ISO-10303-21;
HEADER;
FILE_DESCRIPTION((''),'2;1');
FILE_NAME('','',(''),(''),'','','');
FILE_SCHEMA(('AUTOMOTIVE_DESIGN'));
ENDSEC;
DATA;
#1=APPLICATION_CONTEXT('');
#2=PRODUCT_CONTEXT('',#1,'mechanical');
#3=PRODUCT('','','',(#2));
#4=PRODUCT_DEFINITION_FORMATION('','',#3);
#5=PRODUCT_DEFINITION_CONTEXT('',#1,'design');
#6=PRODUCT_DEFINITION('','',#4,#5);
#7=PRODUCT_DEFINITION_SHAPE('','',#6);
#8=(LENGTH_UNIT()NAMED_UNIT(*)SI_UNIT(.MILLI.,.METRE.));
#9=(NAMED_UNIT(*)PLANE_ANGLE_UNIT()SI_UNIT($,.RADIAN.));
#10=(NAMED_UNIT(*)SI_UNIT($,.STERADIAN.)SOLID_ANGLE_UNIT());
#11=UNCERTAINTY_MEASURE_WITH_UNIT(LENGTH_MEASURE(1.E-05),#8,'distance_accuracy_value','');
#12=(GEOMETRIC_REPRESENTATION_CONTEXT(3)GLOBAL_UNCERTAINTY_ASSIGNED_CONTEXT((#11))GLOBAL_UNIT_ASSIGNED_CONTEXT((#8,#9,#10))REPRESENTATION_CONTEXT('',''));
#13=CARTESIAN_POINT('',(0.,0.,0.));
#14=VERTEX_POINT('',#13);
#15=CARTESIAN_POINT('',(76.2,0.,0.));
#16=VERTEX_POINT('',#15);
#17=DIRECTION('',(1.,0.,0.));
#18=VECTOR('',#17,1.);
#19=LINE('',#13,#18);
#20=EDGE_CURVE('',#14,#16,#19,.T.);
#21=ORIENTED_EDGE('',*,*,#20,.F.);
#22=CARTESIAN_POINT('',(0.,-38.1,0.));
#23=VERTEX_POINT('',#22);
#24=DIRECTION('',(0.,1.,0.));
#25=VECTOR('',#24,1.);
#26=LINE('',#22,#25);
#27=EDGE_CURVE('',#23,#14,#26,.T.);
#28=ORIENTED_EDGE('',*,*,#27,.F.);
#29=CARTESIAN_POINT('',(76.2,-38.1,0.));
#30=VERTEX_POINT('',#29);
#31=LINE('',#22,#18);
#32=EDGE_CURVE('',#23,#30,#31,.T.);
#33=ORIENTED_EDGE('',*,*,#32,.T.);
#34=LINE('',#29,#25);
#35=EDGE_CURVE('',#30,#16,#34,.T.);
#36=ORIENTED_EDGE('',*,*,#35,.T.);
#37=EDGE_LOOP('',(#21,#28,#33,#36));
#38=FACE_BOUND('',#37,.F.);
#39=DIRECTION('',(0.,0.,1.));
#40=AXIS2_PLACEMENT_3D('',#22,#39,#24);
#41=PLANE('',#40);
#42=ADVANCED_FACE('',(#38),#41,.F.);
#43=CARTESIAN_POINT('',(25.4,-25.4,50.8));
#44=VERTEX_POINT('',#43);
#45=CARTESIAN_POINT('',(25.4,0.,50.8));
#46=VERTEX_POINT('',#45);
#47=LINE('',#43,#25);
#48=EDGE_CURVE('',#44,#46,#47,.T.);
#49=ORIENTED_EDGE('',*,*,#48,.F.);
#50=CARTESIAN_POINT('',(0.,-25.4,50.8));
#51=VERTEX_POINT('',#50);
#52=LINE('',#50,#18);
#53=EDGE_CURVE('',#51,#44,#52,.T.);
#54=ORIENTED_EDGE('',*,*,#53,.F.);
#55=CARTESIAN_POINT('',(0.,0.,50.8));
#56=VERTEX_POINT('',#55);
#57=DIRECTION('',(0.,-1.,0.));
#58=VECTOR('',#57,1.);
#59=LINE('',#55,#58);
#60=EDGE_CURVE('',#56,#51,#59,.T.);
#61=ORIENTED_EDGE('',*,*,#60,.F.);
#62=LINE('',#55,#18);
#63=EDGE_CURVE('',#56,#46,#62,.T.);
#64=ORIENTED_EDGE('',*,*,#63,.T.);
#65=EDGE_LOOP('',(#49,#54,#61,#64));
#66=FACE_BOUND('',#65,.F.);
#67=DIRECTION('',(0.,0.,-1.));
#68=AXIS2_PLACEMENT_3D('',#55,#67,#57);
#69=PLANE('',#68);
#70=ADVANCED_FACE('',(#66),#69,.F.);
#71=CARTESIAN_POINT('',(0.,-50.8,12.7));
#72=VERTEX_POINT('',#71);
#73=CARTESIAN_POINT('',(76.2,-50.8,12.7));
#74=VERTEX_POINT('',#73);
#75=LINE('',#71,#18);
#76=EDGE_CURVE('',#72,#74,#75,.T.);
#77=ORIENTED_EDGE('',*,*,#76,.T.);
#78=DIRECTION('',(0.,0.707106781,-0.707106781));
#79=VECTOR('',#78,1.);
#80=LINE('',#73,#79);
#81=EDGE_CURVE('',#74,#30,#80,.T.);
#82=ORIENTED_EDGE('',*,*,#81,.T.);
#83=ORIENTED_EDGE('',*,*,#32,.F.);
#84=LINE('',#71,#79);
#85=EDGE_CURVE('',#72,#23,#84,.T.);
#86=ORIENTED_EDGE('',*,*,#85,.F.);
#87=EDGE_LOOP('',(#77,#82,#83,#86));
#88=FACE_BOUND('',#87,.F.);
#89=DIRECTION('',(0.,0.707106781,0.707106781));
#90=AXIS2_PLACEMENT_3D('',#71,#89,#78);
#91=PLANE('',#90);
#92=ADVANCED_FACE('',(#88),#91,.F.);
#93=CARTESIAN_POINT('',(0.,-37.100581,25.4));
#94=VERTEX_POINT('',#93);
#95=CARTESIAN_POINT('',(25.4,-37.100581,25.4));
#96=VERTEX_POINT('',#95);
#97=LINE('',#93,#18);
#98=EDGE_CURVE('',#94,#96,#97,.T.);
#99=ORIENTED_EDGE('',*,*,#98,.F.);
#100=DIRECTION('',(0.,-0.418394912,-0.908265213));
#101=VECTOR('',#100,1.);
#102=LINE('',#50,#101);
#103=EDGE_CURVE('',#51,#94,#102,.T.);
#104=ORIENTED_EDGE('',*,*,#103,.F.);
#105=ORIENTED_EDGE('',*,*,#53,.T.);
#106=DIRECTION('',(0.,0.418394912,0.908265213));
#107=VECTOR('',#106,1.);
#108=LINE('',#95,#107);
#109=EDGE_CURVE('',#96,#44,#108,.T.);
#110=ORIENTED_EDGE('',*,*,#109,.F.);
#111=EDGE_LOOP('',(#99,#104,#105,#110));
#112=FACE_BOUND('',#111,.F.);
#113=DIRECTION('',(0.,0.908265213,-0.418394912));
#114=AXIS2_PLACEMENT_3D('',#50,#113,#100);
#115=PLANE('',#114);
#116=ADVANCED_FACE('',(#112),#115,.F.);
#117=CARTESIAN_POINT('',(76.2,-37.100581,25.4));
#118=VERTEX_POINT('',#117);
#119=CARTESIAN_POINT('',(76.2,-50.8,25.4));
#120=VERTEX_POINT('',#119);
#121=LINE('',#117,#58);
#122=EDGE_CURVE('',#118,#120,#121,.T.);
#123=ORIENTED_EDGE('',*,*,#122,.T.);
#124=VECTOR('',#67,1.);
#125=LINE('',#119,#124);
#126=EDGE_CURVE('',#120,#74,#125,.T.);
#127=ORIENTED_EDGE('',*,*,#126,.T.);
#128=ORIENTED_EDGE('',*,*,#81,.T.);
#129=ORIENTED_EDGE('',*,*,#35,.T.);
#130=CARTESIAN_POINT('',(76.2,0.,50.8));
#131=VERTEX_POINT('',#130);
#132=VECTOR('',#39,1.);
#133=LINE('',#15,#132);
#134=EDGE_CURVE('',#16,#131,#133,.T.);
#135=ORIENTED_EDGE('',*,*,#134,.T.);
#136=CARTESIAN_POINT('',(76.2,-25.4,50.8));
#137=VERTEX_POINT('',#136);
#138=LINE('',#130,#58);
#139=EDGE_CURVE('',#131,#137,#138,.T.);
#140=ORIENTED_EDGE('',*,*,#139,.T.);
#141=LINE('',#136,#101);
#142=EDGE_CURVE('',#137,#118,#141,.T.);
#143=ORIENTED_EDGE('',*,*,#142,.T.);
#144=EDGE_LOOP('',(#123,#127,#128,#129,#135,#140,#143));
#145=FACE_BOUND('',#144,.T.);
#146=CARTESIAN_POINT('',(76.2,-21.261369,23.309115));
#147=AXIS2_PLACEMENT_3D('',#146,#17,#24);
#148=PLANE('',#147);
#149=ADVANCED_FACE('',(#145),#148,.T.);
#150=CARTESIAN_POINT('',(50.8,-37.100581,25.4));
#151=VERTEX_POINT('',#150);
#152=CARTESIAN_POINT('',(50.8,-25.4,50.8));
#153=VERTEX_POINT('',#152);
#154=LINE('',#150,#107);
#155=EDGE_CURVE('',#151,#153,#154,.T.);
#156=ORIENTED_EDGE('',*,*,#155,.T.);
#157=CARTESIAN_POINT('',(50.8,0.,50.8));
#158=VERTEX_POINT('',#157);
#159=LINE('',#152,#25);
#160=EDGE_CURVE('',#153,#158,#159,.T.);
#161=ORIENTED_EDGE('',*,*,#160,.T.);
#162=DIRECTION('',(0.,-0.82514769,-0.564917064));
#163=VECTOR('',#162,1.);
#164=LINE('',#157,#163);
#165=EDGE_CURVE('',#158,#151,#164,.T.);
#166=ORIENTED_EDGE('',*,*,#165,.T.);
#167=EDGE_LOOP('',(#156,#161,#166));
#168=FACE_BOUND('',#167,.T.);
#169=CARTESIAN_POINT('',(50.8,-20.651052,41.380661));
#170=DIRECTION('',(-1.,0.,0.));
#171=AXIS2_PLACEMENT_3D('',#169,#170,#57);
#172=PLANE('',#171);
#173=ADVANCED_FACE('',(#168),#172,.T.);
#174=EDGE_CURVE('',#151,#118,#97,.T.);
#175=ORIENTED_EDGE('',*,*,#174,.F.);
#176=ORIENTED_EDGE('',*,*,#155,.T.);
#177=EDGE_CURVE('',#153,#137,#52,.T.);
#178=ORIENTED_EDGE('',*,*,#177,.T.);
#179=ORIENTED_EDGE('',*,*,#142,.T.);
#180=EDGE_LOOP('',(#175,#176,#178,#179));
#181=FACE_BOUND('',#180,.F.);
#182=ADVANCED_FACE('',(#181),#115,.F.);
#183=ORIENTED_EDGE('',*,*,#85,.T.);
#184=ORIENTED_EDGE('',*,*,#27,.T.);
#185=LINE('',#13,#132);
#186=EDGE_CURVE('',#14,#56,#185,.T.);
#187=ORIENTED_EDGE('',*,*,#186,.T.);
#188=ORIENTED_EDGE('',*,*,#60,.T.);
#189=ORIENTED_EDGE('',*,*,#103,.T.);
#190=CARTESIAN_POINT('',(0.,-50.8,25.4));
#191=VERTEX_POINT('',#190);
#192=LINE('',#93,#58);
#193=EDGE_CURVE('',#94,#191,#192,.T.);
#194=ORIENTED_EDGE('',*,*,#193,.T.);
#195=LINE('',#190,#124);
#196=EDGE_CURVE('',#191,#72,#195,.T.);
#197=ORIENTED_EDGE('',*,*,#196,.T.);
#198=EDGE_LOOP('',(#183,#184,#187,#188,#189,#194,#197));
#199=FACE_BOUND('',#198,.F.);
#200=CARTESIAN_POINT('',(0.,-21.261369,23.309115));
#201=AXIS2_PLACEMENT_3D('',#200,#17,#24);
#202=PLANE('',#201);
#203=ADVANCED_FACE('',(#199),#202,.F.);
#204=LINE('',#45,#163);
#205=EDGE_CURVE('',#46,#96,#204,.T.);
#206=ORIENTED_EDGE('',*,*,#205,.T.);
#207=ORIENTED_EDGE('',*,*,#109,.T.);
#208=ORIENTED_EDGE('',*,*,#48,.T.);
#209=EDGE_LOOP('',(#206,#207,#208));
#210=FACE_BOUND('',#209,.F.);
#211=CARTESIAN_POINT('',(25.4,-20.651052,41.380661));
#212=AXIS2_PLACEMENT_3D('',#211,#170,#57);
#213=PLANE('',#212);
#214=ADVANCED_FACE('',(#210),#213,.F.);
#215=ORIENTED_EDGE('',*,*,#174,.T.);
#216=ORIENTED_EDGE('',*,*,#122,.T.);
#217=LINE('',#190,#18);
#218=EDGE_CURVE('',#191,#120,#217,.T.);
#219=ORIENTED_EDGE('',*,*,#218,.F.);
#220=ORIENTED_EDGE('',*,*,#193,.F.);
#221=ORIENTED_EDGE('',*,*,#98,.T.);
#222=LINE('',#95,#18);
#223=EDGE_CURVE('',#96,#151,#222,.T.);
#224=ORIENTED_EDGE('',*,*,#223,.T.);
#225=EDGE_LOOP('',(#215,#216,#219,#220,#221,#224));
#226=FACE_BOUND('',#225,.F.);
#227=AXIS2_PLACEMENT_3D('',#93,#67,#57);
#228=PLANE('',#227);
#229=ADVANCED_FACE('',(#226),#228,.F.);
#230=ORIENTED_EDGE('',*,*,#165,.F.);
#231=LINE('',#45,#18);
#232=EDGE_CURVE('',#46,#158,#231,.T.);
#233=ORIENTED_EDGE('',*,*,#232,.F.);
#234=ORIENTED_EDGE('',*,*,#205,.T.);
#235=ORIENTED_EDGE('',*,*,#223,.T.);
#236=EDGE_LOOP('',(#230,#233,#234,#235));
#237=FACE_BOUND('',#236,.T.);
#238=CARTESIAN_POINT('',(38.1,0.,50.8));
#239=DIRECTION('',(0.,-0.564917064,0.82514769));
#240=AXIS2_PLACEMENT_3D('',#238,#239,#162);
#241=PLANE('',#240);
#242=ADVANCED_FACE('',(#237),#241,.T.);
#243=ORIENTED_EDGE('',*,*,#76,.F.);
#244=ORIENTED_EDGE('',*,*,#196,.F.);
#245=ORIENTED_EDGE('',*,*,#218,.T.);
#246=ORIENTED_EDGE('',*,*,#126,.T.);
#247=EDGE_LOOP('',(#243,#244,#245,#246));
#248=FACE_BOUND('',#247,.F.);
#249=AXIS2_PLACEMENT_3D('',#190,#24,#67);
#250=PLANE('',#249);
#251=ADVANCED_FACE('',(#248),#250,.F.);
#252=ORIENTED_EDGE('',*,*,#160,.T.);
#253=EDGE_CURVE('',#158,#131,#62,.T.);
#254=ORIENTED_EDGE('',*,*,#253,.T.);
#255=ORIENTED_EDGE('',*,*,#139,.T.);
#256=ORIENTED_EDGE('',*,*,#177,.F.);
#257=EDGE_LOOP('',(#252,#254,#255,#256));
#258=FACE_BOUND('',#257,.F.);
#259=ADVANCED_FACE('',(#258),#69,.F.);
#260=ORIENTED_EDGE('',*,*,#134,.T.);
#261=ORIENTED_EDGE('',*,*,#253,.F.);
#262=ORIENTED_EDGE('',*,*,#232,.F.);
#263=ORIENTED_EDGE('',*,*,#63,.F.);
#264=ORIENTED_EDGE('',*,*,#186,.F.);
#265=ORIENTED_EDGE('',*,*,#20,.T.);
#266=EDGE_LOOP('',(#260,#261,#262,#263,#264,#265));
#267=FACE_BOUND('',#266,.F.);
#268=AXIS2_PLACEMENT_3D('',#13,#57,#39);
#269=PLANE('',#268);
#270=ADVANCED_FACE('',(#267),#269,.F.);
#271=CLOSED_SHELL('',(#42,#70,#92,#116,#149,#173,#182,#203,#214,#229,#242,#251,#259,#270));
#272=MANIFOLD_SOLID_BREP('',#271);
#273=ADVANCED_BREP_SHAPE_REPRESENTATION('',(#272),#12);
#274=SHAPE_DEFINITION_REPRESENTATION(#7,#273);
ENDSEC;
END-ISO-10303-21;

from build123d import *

# Parameters (mm, degrees)
F1_DEPTH      = 76.2
F4_DEPTH      = 12.7
F4_DEPTH_BACK = 12.7


with BuildPart() as f1:
    # F0 (on Right) → F1 (new body)
    with BuildSketch(Plane.YZ):
        Polygon((-38.1, 0), (0, 0), (0, 50.8), (-25.4, 50.8), (-37.1005810608, 25.4), (-50.8, 25.4), (-50.8, 12.7), align=None)
    extrude(amount=F1_DEPTH)

    # F3 (on mid) → F4 (cut, two sides)
    with BuildSketch(Plane(origin=(38.1, 0, 0), x_dir=(0, -1, 0), z_dir=(-1, 0, 0))) as f4_sk:
        Polygon((25.4, 50.8), (0, 50.8), (37.1005810608, 25.4), align=None)
    extrude(amount=-F4_DEPTH, mode=Mode.SUBTRACT)
    extrude(f4_sk.sketch, amount=F4_DEPTH_BACK, mode=Mode.SUBTRACT)


solid = f1.part
